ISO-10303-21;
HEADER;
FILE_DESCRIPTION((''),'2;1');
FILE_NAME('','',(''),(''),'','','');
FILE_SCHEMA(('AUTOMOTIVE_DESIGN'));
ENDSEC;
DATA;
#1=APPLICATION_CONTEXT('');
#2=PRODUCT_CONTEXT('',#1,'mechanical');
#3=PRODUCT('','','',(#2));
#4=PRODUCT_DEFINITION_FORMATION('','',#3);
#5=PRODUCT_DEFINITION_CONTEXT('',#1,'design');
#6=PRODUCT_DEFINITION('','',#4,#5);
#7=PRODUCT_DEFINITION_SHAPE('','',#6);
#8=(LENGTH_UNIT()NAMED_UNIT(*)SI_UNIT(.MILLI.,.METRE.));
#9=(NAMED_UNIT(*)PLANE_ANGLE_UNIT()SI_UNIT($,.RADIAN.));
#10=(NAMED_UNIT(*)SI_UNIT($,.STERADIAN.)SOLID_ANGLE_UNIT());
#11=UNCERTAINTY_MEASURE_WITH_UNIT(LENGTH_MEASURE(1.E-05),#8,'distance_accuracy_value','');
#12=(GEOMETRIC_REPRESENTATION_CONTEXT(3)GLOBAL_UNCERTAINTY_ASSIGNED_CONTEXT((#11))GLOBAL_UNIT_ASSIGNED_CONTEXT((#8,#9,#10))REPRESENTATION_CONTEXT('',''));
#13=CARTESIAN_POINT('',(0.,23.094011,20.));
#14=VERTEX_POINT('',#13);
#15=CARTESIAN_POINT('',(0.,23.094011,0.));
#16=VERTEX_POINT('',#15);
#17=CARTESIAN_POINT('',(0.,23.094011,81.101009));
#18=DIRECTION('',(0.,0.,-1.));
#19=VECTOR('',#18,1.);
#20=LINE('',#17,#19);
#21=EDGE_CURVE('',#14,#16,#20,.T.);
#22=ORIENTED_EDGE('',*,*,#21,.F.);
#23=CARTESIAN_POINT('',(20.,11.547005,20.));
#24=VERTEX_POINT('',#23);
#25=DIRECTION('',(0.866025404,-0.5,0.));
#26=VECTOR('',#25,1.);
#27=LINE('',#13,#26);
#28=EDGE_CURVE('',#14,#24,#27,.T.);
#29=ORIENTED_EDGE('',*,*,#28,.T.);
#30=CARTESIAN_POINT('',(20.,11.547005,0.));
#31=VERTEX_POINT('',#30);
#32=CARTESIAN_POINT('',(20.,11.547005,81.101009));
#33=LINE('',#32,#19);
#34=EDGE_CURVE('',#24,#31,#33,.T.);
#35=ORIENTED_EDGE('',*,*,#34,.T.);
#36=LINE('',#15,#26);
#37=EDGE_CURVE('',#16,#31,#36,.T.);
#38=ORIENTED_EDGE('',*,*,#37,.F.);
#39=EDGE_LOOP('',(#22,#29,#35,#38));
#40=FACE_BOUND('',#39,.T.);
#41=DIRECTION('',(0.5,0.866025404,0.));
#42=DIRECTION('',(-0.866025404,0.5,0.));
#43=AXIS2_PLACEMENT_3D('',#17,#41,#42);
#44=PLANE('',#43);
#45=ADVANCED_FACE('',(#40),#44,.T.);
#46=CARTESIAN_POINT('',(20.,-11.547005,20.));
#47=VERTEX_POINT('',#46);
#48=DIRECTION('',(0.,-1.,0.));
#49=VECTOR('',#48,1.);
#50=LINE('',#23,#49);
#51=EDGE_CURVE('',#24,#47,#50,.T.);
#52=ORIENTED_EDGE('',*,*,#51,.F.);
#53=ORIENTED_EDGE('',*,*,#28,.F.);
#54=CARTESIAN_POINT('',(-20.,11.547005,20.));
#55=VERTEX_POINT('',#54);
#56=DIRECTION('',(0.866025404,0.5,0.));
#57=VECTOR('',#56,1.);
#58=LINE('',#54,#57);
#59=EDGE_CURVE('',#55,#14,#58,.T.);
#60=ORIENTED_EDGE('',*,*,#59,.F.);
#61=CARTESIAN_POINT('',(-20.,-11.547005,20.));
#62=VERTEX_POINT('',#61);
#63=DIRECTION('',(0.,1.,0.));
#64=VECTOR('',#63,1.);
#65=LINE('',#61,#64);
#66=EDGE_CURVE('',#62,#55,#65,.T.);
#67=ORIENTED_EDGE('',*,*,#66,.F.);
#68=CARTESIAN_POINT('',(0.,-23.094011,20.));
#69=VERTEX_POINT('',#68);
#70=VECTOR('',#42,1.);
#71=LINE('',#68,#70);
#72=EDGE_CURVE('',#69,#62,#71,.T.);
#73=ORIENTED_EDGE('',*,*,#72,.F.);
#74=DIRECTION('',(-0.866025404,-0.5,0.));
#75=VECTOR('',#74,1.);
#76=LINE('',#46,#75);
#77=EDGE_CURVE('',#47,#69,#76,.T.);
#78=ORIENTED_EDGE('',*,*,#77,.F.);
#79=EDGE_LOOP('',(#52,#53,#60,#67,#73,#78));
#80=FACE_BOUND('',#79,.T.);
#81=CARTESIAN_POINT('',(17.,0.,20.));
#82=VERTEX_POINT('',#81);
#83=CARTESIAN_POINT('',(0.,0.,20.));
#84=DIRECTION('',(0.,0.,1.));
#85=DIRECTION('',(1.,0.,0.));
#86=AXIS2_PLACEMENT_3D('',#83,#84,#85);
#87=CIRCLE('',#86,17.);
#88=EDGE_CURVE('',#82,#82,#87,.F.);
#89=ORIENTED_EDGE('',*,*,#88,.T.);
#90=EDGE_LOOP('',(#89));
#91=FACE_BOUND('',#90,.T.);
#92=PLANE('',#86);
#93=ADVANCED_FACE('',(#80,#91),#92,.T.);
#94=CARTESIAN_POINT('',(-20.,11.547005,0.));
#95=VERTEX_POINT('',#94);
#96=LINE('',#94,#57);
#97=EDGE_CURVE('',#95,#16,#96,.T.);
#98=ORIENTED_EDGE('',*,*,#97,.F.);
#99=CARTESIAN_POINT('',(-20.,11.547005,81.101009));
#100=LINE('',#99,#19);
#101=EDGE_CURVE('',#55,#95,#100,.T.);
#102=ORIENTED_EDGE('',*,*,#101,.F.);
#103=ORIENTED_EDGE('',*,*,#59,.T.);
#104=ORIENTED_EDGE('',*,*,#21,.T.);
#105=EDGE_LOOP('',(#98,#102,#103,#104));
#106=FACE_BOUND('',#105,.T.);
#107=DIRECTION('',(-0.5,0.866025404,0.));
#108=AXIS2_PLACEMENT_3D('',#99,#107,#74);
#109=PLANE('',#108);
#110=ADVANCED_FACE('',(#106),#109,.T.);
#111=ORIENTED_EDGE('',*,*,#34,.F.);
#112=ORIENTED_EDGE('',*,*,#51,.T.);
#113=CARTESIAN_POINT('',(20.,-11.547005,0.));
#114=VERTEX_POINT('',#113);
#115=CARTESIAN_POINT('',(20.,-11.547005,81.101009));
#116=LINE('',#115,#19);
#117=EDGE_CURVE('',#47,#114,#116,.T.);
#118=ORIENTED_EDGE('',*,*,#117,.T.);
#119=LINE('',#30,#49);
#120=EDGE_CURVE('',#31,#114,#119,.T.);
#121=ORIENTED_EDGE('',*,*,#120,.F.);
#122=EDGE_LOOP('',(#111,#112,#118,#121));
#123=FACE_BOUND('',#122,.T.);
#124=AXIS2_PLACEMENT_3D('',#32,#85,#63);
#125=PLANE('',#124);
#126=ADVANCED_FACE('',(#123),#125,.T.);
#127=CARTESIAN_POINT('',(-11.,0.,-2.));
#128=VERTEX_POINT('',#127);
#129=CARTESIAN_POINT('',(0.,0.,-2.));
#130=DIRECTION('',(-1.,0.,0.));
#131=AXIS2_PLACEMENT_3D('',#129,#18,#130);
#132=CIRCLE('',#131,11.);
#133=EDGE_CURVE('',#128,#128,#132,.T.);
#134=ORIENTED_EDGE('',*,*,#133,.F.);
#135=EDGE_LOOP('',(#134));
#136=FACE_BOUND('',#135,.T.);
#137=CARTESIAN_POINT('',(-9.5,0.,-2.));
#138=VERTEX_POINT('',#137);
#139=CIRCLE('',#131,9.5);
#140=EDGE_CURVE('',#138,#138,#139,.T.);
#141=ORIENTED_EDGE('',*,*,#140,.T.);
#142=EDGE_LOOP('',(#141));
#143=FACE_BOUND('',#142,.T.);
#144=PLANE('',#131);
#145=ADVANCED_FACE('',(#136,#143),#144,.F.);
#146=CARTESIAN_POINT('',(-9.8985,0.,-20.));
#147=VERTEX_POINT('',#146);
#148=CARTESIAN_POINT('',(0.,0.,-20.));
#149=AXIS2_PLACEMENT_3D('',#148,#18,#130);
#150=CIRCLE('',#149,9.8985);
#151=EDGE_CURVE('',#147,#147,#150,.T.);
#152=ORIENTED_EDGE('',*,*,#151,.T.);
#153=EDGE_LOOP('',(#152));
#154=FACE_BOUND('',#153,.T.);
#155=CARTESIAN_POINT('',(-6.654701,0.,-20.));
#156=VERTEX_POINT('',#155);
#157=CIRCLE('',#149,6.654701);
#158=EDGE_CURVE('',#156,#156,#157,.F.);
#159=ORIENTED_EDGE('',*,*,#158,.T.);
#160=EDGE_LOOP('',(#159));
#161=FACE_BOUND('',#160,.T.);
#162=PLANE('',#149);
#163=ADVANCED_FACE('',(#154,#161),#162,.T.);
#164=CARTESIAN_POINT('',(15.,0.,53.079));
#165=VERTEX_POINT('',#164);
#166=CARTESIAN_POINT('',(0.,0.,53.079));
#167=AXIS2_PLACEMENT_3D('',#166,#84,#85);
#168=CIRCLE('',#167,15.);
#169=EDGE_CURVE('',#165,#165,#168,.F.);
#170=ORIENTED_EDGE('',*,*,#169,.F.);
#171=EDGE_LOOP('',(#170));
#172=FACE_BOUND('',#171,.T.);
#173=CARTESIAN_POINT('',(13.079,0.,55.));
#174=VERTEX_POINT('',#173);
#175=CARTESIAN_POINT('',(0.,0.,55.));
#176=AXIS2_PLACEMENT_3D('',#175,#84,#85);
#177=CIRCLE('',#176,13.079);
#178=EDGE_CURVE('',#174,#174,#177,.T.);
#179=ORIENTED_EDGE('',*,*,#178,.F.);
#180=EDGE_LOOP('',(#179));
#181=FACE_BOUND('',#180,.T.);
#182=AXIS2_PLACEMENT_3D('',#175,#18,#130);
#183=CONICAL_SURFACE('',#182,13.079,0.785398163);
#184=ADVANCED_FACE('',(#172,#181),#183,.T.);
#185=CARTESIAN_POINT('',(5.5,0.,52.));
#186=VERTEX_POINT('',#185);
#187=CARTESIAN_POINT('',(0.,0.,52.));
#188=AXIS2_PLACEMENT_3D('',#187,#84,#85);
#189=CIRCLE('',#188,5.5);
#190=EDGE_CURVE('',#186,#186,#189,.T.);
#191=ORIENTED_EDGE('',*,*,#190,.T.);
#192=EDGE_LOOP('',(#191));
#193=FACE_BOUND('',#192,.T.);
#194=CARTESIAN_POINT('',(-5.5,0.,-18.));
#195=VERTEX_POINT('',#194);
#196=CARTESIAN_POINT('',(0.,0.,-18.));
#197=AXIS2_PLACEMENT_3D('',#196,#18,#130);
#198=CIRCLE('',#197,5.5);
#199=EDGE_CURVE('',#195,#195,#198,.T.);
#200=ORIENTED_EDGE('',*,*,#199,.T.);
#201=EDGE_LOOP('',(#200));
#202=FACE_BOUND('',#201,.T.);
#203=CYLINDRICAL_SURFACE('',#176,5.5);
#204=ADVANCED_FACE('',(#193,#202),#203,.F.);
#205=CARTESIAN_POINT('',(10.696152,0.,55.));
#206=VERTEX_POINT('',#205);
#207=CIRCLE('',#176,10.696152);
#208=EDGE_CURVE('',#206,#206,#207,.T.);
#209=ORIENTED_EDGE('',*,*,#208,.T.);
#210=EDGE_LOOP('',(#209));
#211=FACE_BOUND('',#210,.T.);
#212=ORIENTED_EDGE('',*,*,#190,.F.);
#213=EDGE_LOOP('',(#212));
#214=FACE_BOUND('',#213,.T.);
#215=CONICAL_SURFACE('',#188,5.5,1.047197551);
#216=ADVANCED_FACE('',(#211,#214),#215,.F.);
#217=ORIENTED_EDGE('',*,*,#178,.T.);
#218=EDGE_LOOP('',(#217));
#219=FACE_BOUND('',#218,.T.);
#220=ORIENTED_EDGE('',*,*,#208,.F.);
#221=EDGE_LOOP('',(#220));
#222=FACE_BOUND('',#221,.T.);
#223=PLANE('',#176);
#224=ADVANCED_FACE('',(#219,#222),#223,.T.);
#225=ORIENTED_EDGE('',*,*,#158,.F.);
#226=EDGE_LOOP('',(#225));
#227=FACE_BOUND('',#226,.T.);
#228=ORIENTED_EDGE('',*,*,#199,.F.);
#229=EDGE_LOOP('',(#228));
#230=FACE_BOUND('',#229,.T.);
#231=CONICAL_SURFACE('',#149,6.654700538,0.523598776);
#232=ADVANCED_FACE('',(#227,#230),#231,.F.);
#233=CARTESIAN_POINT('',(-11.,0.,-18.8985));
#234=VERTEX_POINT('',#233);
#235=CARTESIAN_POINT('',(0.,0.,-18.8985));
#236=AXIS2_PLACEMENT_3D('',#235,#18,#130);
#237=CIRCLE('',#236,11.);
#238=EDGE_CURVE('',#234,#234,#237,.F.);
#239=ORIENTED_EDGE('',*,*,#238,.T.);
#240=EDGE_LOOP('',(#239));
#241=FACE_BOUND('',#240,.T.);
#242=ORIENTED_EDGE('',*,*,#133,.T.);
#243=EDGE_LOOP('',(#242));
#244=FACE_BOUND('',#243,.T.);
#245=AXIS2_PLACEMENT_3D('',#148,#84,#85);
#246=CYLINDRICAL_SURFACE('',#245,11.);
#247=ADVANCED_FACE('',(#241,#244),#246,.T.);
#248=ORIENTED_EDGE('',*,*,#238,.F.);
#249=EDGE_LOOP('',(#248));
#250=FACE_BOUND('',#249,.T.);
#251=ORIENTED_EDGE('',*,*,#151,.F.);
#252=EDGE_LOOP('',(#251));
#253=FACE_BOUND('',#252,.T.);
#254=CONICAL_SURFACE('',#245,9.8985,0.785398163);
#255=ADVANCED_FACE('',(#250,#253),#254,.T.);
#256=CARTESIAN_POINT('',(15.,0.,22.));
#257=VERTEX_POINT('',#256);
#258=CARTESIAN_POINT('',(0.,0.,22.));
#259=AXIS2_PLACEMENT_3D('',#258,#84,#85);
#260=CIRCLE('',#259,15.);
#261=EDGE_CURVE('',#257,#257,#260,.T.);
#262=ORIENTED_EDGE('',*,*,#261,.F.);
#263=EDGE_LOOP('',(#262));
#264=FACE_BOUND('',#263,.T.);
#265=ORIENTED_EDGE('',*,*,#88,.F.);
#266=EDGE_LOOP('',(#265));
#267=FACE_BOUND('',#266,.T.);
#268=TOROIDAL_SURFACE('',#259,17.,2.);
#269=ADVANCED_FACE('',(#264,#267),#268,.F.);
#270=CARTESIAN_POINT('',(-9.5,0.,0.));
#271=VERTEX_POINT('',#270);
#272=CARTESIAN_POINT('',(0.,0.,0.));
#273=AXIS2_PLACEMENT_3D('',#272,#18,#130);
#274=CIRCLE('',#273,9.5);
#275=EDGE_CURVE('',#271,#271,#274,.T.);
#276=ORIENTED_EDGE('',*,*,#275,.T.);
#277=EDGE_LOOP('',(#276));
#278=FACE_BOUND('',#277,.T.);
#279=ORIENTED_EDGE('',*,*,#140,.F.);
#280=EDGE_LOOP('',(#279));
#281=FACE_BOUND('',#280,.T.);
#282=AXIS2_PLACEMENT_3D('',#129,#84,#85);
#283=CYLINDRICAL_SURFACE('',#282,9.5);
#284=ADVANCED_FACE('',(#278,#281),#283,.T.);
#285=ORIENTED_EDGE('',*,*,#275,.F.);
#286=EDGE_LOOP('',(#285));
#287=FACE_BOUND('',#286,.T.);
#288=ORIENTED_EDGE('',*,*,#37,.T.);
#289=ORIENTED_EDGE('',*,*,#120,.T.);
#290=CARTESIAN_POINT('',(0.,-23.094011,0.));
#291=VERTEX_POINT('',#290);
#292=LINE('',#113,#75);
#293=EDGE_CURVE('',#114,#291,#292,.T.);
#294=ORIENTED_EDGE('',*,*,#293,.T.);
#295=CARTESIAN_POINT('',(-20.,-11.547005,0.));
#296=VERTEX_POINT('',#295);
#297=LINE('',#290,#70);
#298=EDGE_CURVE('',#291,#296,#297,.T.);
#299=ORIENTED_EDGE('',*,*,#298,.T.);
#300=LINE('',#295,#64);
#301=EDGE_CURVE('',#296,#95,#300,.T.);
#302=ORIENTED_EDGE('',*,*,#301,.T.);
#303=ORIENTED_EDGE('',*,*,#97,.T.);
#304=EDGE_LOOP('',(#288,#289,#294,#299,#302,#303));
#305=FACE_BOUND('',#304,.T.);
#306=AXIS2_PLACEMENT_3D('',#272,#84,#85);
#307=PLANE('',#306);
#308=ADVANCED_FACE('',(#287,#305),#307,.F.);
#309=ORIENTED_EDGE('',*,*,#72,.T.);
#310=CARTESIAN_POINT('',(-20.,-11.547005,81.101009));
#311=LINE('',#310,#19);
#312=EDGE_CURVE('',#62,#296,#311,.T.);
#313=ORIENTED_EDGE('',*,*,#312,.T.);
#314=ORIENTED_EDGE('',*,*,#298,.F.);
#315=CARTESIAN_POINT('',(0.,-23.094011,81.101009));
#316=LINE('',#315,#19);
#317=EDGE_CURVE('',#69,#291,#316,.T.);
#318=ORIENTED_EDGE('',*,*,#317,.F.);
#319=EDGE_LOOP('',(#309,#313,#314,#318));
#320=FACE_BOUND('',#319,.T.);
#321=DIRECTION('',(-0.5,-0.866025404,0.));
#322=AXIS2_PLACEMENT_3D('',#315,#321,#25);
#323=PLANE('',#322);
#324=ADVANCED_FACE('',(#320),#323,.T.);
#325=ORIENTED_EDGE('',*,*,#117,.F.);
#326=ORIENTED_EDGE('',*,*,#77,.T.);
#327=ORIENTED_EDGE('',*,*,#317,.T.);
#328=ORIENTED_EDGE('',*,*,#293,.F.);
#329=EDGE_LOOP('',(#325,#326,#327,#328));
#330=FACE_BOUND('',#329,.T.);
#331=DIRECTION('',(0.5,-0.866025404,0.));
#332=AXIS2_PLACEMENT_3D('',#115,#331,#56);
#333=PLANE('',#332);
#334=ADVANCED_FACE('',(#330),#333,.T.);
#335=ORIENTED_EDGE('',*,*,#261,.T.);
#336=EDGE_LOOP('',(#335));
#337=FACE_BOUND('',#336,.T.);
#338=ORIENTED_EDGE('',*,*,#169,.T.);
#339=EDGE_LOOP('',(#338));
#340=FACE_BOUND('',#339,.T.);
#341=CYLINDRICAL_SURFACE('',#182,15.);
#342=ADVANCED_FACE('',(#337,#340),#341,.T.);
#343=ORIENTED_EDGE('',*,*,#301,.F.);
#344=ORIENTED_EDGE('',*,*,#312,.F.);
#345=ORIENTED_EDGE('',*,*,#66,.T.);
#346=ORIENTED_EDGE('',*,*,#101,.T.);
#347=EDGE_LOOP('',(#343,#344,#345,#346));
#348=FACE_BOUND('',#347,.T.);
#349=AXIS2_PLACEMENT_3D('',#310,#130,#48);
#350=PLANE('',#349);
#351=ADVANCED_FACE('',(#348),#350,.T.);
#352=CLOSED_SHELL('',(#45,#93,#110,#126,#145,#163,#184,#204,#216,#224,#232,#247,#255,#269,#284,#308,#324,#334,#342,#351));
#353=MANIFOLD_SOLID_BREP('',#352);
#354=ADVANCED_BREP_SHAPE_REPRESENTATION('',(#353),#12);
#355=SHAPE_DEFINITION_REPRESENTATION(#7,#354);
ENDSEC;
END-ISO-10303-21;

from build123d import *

# Parameters (mm, degrees)
SKETCH_1_R          = 17.5
EXTRUDE_1_DEPTH     = 20
SKETCH_2_R          = 15
EXTRUDE_2_DEPTH     = 35
SKETCH_3_R          = 11
EXTRUDE_3_DEPTH     = 20
CHAMFER_1_SIZE      = 1.1015
SKETCH_5_R          = 17.5
SKETCH_5_R_2        = 9.5
CUT_EXTRUDE_1_DEPTH = 2
CHAMFER_2_SIZE      = 1.921
FILLET_1_R          = 2
CHAMFER_3_SIZE      = 2
CHAMFER_3_SIZE2     = 1.154700538
SKETCH_6_R          = 17.5
EXTRUDE_4_DEPTH     = 20


with BuildPart() as part:
    # Эскиз1 → Бобышка-Вытянуть1 (new body)
    with BuildSketch(Plane.XY):
        Circle(SKETCH_1_R)
    extrude(amount=EXTRUDE_1_DEPTH)

    # Эскиз2 → Бобышка-Вытянуть2 (add)
    with BuildSketch(Plane.XY.offset(20)):
        Circle(SKETCH_2_R)
    extrude(amount=EXTRUDE_2_DEPTH)

    # Эскиз3 → Бобышка-Вытянуть3 (add)
    with BuildSketch(Plane(origin=(0, 0, 0), x_dir=(-1, 0, 0), z_dir=(0, 0, -1))):
        Circle(SKETCH_3_R)
    extrude(amount=EXTRUDE_3_DEPTH)

    # Эскиз4 → Вырез-Повернуть1 (revolve, cut)
    with BuildSketch(Plane(origin=(0, 0, 0), x_dir=(0, 0, -1), z_dir=(1, 0, 0))):
        Polygon((-55, 0), (-55, 10.696152423), (-52, 5.5), (20, 5.5), (20, 0), align=None)
    revolve(axis=Axis((0, 0, 55), (0, 0, -1)), mode=Mode.SUBTRACT)

    # Фаска1
    chamfer_1_edges = [part.edges().sort_by_distance(p)[0] for p in [
        (11, 0, -20),
    ]]
    chamfer(chamfer_1_edges, length=CHAMFER_1_SIZE)

    # Эскиз5 → Вырез-Вытянуть1 (cut)
    with BuildSketch(Plane(origin=(0, 0, 0), x_dir=(-1, 0, 0), z_dir=(0, 0, -1))):
        Circle(SKETCH_5_R)
        Circle(SKETCH_5_R_2, mode=Mode.SUBTRACT)
    extrude(amount=CUT_EXTRUDE_1_DEPTH, mode=Mode.SUBTRACT)

    # Фаска2
    chamfer_2_edges = [part.edges().sort_by_distance(p)[0] for p in [
        (-15, 0, 55),
    ]]
    chamfer(chamfer_2_edges, length=CHAMFER_2_SIZE)

    # Скругление1
    fillet_1_edges = [part.edges().sort_by_distance(p)[0] for p in [
        (-15, 0, 20),
    ]]
    fillet(fillet_1_edges, radius=FILLET_1_R)

    # Фаска3
    chamfer_3_edges = [part.edges().sort_by_distance(p)[0] for p in [
        (0, -5.5, -20),
    ]]
    chamfer_3_side = [part.faces().sort_by_distance(p)[0] for p in [
        (0, -5.5, 16),
    ]]
    chamfer(chamfer_3_edges, length=CHAMFER_3_SIZE, length2=CHAMFER_3_SIZE2, reference=chamfer_3_side[0])

    # Эскиз6 → Бобышка-Вытянуть4 (add)
    with BuildSketch(Plane(origin=(0, 0, 0), x_dir=(-1, 0, 0), z_dir=(0, 0, -1))):
        Polygon((0, 23.094010768), (-20, 11.547005384), (-20, -11.547005384), (0, -23.094010768), (20, -11.547005384), (20, 11.547005384), align=None)
        Circle(SKETCH_6_R, mode=Mode.SUBTRACT)
    extrude(amount=-EXTRUDE_4_DEPTH)


solid = part.part
